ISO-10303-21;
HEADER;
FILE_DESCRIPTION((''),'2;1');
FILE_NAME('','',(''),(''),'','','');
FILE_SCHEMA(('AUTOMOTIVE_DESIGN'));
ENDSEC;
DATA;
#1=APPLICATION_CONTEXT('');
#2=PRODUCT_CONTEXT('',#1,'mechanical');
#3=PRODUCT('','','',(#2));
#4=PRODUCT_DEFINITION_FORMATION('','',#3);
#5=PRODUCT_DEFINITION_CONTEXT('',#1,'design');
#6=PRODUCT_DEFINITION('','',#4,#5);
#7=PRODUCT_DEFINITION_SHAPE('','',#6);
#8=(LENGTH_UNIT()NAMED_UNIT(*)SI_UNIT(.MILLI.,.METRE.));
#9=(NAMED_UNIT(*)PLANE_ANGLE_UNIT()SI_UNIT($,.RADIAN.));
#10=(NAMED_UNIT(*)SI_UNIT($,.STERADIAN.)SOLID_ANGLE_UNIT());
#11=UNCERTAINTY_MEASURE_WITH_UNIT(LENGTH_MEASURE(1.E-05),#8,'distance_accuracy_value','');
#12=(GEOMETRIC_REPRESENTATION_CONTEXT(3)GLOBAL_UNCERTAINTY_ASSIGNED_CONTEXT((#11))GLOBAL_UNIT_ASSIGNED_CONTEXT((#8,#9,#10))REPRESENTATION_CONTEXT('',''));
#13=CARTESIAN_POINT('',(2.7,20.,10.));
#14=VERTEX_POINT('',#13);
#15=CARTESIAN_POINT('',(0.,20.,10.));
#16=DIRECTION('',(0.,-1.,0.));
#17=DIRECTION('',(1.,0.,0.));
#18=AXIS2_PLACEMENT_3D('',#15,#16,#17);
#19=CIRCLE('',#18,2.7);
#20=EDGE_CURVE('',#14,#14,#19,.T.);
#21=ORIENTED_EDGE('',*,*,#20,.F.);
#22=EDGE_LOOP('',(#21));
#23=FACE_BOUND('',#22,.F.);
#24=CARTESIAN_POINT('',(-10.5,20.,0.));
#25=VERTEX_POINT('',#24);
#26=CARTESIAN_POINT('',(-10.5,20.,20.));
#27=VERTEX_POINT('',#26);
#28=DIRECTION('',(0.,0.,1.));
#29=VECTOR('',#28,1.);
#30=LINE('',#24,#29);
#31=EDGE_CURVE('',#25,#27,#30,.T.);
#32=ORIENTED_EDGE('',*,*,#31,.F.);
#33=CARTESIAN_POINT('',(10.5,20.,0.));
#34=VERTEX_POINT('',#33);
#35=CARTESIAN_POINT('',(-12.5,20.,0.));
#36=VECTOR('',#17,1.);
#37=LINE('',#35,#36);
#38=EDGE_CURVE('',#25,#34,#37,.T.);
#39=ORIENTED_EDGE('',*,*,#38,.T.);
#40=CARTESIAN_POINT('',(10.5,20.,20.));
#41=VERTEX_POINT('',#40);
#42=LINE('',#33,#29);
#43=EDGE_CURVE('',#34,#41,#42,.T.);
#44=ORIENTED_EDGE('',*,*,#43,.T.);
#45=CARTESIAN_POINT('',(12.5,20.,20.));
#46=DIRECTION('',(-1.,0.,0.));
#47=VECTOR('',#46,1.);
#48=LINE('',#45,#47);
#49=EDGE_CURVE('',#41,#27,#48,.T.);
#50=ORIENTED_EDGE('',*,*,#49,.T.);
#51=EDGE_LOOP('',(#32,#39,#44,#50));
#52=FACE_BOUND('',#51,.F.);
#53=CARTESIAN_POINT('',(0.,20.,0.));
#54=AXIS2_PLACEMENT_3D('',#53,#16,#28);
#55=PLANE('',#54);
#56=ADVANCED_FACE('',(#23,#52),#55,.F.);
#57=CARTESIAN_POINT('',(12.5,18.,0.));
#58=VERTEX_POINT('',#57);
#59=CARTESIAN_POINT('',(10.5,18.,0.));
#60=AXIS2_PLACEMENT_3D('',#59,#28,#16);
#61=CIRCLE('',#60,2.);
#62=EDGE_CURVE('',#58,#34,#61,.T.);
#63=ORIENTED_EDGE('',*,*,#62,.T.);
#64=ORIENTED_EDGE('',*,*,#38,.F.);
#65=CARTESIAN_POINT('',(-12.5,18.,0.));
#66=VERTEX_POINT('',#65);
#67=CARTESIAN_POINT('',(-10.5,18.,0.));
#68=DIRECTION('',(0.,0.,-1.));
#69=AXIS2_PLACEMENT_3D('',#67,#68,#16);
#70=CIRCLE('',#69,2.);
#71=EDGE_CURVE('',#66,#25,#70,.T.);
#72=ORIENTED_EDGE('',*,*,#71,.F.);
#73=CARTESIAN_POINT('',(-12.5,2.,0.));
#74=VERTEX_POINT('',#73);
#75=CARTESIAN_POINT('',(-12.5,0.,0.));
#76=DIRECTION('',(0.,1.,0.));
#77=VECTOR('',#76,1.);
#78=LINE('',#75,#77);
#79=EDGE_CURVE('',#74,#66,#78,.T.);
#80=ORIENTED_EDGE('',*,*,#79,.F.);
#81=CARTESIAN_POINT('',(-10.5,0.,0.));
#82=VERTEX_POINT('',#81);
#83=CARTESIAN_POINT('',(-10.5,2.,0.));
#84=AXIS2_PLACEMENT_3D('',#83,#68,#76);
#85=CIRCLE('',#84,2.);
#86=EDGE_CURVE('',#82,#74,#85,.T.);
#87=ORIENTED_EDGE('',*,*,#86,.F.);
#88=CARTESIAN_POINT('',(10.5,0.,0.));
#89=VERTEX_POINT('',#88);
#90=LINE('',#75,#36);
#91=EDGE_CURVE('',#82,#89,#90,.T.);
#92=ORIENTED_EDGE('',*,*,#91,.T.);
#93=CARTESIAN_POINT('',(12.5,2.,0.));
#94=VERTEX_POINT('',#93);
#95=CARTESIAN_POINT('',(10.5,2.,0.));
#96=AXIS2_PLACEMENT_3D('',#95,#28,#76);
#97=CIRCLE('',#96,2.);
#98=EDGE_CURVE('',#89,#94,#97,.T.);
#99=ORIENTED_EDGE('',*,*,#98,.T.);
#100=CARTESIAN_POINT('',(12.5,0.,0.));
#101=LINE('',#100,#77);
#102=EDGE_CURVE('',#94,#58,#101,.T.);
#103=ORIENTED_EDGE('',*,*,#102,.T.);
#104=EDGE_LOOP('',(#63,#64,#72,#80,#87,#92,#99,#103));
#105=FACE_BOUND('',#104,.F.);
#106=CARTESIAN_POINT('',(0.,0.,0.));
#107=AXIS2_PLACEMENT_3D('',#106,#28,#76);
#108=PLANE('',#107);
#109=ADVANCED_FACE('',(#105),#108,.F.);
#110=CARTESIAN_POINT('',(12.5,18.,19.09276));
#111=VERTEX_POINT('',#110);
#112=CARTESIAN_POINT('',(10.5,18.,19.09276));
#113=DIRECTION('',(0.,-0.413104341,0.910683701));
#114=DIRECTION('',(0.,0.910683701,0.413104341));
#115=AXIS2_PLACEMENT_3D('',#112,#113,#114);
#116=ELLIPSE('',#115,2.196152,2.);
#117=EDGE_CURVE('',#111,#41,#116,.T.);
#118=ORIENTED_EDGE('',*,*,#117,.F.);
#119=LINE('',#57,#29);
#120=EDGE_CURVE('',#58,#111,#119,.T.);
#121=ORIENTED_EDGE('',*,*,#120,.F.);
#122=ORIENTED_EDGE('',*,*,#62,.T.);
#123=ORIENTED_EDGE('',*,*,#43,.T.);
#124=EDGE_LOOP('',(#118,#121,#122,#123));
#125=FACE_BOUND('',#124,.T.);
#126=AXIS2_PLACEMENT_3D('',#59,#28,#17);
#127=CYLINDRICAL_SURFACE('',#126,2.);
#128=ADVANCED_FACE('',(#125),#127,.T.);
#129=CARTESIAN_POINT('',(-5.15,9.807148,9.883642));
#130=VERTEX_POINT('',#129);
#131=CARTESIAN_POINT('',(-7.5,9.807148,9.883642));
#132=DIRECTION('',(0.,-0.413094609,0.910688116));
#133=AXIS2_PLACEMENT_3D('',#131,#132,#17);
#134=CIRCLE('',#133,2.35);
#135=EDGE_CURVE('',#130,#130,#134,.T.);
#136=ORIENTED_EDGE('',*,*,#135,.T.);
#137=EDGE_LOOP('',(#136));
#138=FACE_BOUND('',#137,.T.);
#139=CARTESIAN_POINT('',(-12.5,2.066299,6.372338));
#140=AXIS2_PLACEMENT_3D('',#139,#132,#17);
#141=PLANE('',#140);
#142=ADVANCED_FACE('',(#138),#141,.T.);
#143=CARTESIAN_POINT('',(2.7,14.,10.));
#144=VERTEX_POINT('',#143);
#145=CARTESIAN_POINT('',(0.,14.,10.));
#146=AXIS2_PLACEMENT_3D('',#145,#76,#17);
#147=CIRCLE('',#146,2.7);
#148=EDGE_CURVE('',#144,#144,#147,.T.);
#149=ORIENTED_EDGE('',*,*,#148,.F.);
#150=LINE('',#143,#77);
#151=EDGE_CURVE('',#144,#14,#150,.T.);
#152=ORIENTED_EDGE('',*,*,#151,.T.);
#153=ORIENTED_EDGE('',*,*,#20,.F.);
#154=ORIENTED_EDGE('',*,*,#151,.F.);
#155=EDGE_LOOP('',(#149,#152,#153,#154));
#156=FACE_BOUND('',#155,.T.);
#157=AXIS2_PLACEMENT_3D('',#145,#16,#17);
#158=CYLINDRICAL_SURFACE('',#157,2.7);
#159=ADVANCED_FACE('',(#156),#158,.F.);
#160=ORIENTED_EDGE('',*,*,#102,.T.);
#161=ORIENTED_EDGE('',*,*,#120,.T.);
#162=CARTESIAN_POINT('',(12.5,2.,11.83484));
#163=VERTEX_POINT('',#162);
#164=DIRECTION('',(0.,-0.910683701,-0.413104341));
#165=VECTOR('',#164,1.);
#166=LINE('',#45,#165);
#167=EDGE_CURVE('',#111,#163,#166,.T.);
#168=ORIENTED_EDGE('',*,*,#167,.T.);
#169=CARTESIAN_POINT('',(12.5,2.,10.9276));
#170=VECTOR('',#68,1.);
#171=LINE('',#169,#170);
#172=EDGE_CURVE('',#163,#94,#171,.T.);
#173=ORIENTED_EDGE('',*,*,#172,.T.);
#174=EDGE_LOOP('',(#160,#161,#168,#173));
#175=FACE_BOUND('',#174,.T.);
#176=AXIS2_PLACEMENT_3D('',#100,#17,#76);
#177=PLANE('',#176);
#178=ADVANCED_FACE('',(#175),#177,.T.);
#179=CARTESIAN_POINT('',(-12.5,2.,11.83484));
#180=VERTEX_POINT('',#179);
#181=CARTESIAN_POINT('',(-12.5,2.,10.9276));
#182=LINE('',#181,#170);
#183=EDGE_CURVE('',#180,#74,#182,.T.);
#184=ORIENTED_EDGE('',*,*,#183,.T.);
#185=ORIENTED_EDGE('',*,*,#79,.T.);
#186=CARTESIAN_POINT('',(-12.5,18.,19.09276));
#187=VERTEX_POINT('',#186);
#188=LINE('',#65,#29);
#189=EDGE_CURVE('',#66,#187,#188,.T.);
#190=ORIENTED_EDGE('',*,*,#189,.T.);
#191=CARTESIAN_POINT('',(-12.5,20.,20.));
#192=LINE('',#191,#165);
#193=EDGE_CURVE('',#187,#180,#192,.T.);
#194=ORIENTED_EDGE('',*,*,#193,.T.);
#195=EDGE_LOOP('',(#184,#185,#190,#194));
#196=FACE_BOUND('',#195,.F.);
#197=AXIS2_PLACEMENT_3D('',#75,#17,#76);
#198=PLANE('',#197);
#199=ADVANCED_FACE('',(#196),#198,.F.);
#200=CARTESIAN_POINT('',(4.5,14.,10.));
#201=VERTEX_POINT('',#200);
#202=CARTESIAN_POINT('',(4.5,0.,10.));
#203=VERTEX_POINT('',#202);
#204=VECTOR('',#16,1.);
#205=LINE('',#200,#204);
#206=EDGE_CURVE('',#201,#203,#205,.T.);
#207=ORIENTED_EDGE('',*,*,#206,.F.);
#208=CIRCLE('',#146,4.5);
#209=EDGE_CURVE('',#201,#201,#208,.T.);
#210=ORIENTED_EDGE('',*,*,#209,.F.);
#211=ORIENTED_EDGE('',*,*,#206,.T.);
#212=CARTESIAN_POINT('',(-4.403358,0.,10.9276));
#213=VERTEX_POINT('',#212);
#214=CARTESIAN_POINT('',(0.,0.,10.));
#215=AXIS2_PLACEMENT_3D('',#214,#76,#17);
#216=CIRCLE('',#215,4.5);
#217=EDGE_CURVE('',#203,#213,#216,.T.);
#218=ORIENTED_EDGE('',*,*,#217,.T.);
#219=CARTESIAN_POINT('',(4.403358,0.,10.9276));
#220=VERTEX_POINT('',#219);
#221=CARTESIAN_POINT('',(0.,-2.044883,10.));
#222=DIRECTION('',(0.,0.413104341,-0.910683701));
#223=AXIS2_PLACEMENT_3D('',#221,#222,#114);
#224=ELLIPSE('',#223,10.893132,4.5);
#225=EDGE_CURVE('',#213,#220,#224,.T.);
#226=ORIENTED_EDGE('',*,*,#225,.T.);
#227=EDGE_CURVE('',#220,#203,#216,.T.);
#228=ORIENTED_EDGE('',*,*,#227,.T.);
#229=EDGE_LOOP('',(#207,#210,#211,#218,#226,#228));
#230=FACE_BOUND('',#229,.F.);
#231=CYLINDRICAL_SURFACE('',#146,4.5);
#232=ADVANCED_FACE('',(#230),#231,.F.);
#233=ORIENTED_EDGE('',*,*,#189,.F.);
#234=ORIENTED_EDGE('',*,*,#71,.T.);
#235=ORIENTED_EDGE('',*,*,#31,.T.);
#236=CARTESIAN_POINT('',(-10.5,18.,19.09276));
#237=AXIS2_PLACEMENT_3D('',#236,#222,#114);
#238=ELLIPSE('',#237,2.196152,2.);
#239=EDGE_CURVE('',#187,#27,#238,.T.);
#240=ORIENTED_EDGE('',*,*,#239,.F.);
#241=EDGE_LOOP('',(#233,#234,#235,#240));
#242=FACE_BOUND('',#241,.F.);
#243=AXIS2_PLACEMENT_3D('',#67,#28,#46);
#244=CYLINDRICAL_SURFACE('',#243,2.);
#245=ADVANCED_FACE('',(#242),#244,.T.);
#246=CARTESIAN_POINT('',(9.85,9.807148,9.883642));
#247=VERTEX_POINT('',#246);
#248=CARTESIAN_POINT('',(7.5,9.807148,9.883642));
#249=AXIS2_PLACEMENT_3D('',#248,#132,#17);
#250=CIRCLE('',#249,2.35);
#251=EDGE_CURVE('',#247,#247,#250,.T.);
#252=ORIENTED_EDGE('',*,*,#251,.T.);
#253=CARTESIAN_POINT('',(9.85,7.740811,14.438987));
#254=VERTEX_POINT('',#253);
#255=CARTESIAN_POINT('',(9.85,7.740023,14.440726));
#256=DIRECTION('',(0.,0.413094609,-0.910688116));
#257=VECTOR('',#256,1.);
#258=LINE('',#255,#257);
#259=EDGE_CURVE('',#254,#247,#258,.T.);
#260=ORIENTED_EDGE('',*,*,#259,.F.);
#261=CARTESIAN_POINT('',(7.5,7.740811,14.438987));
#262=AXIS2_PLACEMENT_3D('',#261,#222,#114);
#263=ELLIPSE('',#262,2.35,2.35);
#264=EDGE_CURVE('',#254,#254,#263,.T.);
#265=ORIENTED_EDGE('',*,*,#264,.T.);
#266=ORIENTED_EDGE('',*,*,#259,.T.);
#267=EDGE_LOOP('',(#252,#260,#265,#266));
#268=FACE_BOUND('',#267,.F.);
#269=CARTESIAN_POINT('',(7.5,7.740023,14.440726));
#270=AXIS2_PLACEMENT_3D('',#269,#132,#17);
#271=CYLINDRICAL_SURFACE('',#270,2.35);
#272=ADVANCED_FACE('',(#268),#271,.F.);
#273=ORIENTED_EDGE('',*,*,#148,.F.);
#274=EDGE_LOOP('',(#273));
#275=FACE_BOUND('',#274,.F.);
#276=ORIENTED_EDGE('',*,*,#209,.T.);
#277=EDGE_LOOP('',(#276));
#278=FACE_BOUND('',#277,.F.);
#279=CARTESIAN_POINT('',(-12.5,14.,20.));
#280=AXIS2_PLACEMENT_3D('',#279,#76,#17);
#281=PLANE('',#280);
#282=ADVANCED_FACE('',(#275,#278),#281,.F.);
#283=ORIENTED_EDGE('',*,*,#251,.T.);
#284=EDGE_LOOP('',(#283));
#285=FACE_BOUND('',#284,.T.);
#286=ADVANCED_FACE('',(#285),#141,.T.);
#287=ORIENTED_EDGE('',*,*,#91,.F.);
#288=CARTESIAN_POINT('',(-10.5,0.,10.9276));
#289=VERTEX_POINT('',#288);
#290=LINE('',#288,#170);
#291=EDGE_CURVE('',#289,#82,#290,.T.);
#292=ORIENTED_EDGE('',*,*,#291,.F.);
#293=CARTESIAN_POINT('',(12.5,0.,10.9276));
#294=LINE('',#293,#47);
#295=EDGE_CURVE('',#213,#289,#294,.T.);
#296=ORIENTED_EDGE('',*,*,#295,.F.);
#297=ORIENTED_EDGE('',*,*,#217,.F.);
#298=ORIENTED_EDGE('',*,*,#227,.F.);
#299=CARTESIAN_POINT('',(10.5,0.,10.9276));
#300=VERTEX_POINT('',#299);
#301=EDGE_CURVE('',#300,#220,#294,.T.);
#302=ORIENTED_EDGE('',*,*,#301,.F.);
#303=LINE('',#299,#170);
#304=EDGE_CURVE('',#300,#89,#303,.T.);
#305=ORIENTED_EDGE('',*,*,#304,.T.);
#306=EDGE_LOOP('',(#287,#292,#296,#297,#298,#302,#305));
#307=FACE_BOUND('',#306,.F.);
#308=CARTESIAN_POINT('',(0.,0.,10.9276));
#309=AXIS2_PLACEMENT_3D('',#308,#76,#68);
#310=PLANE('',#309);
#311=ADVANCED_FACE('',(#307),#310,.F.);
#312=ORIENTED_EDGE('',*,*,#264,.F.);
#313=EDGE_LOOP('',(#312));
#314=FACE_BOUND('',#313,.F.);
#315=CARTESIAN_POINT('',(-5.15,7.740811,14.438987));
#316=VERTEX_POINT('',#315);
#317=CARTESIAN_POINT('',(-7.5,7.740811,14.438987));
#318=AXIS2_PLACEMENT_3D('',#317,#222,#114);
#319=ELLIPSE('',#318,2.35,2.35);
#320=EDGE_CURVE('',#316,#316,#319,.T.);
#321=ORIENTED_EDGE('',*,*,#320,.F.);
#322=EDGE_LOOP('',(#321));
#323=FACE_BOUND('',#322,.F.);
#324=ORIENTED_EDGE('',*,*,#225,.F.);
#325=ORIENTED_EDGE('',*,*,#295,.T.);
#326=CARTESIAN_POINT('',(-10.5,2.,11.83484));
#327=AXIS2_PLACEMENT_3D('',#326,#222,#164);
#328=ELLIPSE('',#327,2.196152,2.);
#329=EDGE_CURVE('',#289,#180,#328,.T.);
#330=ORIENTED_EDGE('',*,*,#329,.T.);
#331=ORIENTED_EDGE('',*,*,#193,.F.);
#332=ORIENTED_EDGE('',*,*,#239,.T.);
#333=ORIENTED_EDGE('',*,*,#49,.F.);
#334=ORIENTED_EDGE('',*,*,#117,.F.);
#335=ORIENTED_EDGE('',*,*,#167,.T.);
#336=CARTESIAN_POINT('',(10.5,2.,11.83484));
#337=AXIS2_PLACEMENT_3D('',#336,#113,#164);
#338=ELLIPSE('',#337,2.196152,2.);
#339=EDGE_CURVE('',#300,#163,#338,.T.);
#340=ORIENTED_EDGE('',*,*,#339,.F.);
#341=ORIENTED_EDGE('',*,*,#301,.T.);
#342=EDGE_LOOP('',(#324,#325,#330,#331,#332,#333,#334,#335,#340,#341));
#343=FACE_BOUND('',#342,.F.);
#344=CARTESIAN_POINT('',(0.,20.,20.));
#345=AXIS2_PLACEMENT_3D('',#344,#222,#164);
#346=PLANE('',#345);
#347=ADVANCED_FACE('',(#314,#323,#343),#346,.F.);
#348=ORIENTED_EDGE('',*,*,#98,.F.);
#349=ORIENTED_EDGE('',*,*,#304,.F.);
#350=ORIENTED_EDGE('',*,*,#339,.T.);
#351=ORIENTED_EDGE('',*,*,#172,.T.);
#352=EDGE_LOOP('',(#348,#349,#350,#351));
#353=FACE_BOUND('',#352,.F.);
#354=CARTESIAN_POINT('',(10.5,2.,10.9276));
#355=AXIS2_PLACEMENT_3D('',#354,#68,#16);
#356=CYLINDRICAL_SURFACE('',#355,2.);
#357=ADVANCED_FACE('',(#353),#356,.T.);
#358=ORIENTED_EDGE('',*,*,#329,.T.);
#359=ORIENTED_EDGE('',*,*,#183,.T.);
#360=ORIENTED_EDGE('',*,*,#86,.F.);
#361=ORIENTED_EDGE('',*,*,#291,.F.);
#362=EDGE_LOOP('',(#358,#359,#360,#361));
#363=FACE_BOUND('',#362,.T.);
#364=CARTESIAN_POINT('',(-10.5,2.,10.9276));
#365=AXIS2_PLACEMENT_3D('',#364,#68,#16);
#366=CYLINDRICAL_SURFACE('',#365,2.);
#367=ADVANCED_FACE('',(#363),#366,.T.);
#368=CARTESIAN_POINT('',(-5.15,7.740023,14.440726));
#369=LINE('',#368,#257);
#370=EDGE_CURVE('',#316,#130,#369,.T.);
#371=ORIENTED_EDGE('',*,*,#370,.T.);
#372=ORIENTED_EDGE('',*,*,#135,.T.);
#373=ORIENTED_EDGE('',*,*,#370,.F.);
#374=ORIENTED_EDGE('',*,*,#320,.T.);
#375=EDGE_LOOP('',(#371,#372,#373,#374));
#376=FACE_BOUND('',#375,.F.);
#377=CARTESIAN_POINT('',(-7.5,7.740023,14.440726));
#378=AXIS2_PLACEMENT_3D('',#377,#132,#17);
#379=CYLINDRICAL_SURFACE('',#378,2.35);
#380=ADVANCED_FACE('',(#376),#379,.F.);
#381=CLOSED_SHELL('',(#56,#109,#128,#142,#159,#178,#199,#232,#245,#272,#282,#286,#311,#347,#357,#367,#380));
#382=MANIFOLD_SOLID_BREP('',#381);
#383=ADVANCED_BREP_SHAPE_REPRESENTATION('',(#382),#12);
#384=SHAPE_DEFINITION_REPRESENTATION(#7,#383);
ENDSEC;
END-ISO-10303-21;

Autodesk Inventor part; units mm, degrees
ref_plane "YZ Plane" through (0, 0, 0) normal (1, 0, 0) x (0, 1, 0)
ref_plane "XZ Plane" through (0, 0, 0) normal (0, 1, 0) x (-1, 0, 0)
sketch "Skizze1" plane through (0, 0, 0) normal (1, 0, 0) x (0, 1, 0)
  line L0 (0, 0) -> (20, 0)
  line L1 (20, 0) -> (20, 20)
  line L2 (20, 20) -> (0, 10.9276)
  line L3 (0, 10.9276) -> (0, 0)
  dimension "d0" = 20
  dimension "d2" = 24.4
  dimension "d18" = 20
extrude "Extrusion1" add sketch "Skizze1" along normal mid plane 25
sketch "Skizze2" plane through (-12.5, 0, 10.9276) normal (0, -0.4131, 0.9107) x (1, 0, 0)
  line L0 (0, 0) -> (0, 21.9615) projected
  line L1 (0, 21.9615) -> (25, 21.9615) projected
  line L2 (25, 21.9615) -> (25, 0) projected
  line L3 (25, 0) -> (0, 0) projected
  line L4 (0, 21.9615) -> (25, 21.9615) projected
  line L5 (12.5, 21.9615) -> (12.5, 0) construction
  line L6 (0, 0) -> (25, 0) projected
  circle A0 centre (5, 8.5) radius 2.35
  circle A1 centre (20, 8.5) radius 2.35
  point P0 (12.5, -4.5142)
  dimension "d5" = 4.7
  dimension "d6" = 15
  dimension "d7" = 8.5
extrude "Extrusion2" cut sketch "Skizze2" against normal blind 5 contours A0 | A1
ref_plane "Arbeitsebene3" through (-12.5, 14, 20) normal (0, 1, 0) x (1, 0, 0)
sketch "Skizze5" plane through (-12.5, 14, 20) normal (0, 1, 0) x (1, 0, 0)
  line L0 (0, 0) -> (25, 0) projected
  line L1 (25, 20) -> (25, 0) projected
  line L2 (25, 20) -> (0, 20) projected
  line L3 (0, 0) -> (0, 20) projected
  line L4 (12.5, 0) -> (12.5, 20) construction
  line L5 (0, 10) -> (25, 10) construction
  circle A0 centre (12.5, 10) radius 2.7
  circle A1 centre (12.5, 10) radius 4.5
  dimension "d20" = 5.4
  dimension "d21" = 9
extrude "Extrusion5" cut sketch "Skizze5" along normal through all contours A0
extrude "Extrusion6" cut sketch "Skizze5" against normal through all contours A0 | A1
fillet "Rundung1" radius 2 4 edges at (12.5, 0, 5.4638) (12.5, 20, 10) (-12.5, 0, 5.4638) (-12.5, 20, 10)
properties part number "Camera-Mount" material "ABS-Kunststoff"
